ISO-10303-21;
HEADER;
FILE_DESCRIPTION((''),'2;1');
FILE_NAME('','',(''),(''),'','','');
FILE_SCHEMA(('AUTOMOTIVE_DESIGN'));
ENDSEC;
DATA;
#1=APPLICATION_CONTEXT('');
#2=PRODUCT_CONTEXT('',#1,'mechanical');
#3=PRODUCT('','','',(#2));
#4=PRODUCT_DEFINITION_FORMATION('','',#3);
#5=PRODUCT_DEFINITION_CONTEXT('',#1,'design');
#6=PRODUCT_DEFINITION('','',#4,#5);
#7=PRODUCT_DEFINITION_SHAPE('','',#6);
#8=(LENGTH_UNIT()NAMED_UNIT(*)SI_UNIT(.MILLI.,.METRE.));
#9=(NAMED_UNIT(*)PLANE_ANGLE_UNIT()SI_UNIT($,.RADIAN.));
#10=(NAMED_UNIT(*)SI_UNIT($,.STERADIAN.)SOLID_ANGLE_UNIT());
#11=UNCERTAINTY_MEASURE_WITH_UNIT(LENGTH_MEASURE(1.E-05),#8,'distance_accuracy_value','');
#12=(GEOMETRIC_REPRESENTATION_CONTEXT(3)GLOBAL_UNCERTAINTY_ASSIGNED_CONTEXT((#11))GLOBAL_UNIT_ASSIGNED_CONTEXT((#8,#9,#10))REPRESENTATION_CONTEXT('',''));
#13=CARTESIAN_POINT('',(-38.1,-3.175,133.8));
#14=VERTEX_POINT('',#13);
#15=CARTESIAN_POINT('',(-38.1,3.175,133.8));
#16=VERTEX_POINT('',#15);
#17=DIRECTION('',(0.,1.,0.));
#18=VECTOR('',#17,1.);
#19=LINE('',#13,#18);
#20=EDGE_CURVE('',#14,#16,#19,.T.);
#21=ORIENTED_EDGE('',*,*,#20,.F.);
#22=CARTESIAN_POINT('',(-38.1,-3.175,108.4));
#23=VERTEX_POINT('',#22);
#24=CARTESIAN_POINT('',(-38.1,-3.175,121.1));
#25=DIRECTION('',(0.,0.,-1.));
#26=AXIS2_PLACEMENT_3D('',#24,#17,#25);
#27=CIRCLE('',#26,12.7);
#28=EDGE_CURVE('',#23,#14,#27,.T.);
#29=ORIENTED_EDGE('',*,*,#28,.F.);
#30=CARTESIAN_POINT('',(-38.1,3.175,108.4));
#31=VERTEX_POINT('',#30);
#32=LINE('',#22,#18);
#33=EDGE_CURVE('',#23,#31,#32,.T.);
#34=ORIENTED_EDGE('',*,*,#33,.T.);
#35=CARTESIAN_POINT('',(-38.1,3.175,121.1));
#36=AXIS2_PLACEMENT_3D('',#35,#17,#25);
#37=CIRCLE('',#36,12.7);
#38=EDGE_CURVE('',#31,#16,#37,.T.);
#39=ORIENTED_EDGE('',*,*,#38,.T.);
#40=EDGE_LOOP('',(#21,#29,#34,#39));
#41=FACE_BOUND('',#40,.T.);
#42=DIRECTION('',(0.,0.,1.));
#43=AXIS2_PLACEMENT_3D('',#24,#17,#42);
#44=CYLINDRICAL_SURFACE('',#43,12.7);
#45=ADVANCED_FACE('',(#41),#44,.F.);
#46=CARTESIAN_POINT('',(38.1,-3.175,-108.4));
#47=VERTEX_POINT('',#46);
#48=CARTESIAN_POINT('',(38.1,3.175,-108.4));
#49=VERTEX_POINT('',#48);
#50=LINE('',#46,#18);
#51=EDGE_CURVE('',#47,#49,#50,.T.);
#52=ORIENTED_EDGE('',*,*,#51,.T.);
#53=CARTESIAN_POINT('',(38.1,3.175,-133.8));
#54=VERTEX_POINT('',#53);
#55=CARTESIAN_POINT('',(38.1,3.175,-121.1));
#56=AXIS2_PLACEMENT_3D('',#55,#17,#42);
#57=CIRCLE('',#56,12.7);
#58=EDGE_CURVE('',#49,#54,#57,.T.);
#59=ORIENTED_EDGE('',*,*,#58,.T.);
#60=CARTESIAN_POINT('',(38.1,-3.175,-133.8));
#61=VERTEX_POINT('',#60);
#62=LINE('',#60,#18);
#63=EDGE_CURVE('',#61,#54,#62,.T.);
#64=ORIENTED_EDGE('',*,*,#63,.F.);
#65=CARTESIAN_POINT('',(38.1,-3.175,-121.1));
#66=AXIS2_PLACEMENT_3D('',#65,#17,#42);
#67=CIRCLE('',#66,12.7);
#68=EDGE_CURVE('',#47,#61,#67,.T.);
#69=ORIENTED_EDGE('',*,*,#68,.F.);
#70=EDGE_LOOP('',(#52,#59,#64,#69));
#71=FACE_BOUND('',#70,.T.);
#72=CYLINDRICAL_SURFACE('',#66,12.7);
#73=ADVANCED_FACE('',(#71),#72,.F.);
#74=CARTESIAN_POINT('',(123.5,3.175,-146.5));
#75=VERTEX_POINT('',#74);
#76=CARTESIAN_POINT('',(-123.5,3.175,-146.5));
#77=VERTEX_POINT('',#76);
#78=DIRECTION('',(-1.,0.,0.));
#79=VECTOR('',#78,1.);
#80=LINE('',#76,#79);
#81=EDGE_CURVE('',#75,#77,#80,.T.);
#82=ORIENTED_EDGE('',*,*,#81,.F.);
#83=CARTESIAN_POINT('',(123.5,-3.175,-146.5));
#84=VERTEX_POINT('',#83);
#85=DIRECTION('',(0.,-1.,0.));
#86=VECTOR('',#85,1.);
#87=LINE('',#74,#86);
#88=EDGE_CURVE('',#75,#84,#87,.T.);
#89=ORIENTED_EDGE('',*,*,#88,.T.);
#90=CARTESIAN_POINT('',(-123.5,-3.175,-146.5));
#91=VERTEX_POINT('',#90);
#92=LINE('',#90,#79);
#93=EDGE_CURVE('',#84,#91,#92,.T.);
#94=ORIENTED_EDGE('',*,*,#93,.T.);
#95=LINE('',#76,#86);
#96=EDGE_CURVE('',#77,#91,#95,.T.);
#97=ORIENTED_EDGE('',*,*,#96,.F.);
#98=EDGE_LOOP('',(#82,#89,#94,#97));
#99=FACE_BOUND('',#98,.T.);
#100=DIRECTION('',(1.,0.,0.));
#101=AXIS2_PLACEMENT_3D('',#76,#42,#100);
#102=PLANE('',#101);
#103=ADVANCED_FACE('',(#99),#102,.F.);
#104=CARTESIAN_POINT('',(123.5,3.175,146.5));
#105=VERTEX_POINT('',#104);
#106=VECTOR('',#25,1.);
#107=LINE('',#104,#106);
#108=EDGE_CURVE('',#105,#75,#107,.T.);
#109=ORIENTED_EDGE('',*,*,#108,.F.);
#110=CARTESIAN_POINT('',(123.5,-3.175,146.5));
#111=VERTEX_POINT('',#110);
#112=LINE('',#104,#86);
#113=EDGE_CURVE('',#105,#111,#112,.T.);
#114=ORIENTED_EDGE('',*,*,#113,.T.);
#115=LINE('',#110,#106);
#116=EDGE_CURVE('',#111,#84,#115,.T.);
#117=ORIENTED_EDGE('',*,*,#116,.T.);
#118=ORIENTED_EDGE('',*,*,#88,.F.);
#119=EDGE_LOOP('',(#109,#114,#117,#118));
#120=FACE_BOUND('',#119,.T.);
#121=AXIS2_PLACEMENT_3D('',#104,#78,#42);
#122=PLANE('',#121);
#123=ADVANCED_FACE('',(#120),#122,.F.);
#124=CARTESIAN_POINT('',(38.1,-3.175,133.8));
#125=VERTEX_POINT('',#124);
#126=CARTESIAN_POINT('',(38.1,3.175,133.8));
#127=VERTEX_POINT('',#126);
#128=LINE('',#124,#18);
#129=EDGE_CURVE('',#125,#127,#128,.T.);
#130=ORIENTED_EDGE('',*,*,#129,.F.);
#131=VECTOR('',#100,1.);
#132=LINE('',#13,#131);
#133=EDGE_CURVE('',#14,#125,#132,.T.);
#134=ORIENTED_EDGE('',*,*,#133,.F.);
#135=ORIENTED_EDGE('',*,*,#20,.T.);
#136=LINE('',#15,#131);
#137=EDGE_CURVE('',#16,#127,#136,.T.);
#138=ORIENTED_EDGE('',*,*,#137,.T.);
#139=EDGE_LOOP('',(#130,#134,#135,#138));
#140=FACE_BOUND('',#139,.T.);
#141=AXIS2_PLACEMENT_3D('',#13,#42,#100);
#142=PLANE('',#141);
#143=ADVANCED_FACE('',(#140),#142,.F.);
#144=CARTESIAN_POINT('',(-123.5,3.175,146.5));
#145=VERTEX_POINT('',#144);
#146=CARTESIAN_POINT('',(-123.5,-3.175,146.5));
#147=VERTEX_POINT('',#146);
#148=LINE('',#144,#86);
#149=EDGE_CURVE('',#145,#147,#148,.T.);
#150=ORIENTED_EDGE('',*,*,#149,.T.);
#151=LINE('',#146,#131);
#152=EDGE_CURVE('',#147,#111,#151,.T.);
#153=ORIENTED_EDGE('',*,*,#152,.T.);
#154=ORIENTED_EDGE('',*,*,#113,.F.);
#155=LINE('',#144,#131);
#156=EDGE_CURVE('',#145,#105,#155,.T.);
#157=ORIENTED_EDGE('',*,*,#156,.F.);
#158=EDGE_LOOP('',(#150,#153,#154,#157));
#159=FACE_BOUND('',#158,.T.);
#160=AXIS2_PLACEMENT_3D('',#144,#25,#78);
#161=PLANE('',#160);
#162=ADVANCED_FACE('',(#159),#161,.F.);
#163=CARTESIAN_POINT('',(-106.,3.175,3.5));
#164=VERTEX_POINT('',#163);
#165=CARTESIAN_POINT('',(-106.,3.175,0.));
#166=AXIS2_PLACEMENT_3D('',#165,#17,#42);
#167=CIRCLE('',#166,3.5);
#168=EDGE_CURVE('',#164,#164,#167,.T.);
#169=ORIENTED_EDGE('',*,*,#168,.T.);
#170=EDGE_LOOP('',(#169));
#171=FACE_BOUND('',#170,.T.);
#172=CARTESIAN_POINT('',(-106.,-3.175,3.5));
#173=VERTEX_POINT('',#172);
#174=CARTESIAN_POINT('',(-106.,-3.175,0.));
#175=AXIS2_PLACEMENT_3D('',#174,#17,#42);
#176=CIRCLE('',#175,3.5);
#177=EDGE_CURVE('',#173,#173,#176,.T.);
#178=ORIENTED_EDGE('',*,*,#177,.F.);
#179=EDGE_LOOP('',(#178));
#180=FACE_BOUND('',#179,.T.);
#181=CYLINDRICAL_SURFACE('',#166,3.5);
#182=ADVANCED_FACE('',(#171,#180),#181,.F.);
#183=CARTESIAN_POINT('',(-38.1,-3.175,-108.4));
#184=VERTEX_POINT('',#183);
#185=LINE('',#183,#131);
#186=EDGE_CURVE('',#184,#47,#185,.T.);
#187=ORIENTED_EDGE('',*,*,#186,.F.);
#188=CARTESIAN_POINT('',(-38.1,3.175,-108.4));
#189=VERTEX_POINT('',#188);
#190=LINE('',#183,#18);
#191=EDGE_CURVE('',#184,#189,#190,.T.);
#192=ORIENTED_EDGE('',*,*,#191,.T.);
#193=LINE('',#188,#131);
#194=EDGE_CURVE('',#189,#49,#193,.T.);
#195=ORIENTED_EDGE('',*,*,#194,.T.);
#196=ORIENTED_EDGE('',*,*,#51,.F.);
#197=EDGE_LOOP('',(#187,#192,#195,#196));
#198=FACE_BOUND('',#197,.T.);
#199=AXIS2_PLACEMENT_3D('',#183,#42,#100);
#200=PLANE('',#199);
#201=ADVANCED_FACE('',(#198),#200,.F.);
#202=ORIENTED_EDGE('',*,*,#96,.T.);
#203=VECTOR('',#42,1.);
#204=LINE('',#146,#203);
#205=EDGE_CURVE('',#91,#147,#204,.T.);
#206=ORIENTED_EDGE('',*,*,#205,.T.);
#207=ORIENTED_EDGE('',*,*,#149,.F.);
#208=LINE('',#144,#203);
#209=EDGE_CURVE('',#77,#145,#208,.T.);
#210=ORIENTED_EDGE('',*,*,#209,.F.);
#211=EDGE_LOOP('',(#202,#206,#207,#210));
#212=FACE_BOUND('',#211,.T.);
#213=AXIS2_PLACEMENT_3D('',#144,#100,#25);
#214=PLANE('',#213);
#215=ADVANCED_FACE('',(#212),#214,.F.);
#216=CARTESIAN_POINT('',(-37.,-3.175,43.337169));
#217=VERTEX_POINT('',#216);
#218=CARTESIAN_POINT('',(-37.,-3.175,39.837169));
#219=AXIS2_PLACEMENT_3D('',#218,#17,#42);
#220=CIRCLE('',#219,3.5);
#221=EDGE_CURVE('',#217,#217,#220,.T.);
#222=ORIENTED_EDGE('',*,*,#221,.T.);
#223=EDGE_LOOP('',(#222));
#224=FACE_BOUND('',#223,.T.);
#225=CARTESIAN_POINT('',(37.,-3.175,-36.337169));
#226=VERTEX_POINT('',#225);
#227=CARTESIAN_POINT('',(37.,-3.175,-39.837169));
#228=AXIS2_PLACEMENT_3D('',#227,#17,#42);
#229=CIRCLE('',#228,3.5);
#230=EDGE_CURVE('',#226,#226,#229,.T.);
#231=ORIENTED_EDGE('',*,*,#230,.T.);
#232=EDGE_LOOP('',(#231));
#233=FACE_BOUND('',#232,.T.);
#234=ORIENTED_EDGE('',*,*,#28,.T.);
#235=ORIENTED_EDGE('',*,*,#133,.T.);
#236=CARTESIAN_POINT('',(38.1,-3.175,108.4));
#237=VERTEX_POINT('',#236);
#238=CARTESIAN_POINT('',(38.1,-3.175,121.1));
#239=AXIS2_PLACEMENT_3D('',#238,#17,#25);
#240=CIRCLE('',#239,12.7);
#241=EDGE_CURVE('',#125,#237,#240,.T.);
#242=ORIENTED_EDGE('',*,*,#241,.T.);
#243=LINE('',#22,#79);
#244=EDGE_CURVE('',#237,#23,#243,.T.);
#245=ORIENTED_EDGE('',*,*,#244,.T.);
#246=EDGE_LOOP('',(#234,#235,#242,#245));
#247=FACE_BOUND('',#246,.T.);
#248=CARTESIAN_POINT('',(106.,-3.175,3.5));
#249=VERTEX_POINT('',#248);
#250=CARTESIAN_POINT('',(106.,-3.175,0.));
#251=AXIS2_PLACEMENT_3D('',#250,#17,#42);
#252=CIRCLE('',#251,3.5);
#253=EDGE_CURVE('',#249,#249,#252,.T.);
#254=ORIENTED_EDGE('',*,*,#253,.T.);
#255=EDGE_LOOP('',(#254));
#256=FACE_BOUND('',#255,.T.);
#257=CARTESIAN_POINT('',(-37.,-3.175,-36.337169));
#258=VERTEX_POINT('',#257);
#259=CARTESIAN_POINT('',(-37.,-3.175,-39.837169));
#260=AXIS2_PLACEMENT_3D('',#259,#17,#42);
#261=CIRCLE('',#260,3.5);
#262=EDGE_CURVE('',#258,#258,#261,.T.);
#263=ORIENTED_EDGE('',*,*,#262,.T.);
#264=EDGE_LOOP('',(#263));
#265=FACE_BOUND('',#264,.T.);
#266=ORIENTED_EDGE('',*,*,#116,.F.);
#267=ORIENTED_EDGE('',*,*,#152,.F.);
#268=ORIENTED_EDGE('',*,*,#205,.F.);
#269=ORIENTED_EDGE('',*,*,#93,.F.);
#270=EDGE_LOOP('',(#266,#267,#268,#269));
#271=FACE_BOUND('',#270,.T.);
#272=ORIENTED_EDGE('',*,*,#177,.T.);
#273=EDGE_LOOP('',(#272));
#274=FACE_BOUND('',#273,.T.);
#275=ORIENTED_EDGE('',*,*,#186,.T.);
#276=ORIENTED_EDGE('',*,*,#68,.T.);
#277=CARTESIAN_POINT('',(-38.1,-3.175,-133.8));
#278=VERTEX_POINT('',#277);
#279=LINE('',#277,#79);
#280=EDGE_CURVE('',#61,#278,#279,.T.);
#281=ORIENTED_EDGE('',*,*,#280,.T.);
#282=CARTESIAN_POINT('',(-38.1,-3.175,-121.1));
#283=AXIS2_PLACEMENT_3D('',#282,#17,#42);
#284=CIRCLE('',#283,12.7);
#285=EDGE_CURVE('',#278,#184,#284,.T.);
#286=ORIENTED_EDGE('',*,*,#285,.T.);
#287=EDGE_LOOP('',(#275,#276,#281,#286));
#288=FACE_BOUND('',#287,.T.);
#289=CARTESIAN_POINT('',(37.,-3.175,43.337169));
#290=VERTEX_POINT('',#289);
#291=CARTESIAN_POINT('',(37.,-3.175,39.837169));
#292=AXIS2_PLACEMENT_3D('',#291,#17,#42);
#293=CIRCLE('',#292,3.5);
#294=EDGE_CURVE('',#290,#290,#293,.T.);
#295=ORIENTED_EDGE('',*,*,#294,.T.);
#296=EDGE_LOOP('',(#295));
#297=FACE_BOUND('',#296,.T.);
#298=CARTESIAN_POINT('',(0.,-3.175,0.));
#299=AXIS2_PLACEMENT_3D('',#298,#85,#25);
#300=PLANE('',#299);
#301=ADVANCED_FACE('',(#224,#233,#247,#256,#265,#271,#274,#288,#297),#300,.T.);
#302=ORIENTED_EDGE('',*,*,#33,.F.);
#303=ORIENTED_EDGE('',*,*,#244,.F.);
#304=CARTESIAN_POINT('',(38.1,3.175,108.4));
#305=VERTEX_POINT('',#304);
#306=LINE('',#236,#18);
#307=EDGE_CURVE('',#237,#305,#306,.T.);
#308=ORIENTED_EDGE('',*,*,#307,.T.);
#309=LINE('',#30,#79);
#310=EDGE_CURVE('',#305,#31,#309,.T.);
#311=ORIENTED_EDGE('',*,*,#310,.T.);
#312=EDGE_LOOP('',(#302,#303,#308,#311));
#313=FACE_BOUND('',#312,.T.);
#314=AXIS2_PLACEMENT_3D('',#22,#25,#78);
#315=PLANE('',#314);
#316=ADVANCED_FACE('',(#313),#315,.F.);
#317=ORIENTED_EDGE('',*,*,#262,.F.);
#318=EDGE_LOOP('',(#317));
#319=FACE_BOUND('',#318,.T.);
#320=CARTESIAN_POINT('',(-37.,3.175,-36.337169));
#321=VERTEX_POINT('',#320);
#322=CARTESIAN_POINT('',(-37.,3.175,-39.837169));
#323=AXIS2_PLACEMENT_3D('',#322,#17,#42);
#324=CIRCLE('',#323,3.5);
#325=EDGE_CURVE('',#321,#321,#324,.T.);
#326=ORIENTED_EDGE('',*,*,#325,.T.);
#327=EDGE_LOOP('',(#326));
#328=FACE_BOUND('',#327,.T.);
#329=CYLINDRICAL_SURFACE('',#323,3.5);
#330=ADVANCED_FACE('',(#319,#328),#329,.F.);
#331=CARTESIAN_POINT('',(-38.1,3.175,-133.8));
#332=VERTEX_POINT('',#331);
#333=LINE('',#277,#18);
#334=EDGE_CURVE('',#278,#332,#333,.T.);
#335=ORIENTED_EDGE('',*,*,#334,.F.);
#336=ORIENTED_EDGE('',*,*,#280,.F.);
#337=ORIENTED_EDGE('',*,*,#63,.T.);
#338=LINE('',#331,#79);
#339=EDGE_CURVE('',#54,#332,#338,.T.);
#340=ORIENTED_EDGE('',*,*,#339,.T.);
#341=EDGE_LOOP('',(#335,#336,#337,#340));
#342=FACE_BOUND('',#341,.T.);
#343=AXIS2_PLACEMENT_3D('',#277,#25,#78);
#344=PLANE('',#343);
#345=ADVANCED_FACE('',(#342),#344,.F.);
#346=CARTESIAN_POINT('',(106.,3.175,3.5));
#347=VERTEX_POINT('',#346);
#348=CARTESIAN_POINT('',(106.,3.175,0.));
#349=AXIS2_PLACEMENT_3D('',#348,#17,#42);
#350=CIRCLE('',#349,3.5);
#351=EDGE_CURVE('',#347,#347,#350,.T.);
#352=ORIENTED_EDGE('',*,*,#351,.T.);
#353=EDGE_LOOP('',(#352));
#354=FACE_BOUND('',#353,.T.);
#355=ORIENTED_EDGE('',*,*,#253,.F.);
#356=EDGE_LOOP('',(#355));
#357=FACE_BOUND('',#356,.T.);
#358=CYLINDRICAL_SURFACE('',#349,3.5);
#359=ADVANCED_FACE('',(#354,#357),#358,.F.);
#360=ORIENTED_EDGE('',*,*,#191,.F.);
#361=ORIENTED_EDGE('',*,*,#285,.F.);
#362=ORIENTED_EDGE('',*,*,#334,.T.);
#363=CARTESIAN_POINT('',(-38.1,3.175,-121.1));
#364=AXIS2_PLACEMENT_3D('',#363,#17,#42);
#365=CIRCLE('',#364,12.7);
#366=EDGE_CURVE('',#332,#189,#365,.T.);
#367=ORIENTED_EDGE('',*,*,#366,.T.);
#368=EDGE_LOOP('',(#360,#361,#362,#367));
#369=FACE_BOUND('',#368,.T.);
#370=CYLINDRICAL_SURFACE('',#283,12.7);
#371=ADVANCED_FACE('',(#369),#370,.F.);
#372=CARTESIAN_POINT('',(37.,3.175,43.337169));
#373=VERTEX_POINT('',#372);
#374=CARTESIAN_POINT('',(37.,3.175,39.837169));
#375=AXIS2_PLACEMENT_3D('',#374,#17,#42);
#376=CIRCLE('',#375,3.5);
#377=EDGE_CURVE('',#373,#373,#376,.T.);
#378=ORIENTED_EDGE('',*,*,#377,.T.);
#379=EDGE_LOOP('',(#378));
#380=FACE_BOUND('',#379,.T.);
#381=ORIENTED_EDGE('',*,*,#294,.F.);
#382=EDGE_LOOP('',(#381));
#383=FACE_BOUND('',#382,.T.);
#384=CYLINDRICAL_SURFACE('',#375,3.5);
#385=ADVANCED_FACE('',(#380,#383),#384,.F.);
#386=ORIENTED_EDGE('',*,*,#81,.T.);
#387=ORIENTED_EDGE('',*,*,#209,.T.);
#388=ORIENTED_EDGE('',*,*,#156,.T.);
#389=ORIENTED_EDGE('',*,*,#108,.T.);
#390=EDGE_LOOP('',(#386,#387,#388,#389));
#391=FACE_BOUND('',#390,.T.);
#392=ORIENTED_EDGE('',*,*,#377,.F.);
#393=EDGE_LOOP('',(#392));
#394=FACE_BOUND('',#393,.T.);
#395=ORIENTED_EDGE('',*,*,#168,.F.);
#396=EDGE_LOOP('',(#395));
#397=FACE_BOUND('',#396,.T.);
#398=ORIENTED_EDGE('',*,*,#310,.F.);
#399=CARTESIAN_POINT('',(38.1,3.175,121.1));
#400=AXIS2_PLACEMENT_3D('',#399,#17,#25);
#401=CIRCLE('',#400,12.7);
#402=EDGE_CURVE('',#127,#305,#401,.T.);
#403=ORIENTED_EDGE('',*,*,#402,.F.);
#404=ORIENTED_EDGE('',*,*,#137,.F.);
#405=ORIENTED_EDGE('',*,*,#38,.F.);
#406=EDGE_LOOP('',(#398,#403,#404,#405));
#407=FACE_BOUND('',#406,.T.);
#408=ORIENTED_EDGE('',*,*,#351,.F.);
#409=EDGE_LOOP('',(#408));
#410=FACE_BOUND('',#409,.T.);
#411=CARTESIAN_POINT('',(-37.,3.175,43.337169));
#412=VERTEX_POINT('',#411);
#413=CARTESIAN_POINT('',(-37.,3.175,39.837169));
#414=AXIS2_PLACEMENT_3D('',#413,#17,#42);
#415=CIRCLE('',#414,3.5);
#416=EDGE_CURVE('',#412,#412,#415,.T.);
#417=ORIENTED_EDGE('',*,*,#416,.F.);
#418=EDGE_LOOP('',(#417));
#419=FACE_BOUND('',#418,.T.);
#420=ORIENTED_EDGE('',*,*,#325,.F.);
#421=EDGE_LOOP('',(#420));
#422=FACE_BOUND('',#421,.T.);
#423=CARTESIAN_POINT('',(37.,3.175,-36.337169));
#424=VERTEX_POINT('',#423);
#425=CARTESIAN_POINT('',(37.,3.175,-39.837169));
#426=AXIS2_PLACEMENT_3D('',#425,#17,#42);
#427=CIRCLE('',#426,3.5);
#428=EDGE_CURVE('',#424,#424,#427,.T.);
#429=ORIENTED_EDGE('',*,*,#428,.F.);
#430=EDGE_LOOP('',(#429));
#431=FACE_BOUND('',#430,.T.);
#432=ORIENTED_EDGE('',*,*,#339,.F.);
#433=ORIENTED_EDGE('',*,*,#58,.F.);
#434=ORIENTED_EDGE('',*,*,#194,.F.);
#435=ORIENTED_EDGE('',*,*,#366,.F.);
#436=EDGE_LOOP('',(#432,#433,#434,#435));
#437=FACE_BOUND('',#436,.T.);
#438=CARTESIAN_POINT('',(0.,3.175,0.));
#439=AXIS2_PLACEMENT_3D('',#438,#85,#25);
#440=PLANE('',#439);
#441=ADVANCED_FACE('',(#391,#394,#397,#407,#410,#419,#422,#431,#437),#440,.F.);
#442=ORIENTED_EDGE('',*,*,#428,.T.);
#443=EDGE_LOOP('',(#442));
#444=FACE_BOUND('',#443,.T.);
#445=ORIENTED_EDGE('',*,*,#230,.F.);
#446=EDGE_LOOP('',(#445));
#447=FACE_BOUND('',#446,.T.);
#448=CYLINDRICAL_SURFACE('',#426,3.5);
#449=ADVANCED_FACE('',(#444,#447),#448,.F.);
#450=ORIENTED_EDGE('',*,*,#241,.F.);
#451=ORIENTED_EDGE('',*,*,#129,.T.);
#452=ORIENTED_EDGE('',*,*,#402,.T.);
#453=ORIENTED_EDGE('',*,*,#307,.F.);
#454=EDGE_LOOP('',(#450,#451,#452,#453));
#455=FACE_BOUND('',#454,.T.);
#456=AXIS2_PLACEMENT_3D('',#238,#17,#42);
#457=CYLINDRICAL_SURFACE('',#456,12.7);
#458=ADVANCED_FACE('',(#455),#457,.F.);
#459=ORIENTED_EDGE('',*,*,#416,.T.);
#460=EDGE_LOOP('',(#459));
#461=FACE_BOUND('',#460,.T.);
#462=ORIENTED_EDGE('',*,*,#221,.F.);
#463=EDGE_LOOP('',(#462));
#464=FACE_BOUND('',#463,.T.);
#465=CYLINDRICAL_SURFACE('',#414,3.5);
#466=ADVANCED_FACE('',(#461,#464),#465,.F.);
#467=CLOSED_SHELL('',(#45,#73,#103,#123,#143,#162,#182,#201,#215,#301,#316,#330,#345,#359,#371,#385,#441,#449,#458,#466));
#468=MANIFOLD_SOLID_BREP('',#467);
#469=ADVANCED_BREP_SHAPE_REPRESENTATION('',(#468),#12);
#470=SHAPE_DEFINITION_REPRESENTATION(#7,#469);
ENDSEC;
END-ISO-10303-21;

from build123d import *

# Parameters (mm, degrees)
SKETCH1_W         = 247
SKETCH1_H         = 293
MAIN_BASE_DEPTH   = 3.175
HANDLES_DEPTH     = 192.715472772
ALIGNMENT_HOLES_D = 6.99999997


with BuildPart() as part:
    # Sketch1 → Main Base (new, symmetric)
    with BuildSketch(Plane(origin=(0, 0, 0), x_dir=(1, 0, 0), z_dir=(0, 1, 0))):
        Rectangle(SKETCH1_W, SKETCH1_H)
    extrude(amount=MAIN_BASE_DEPTH, both=True)

    # Sketch2 → Handles (cut, through all)
    with BuildSketch(Plane(origin=(0, 3.175, 0), x_dir=(1, 0, 0), z_dir=(0, 1, 0))):
        with BuildLine():
            Line((-38.1, 133.8), (38.1, 133.8))
            ThreePointArc((38.1, 133.8), (50.8, 121.1), (38.1, 108.4))
            Line((38.1, 108.4), (-38.1, 108.4))
            ThreePointArc((-38.1, 108.4), (-50.8, 121.1), (-38.1, 133.8))
        make_face()
        with BuildLine():
            Line((-38.1, -133.8), (38.1, -133.8))
            ThreePointArc((38.1, -133.8), (50.8, -121.1), (38.1, -108.4))
            Line((38.1, -108.4), (-38.1, -108.4))
            ThreePointArc((-38.1, -108.4), (-50.8, -121.1), (-38.1, -133.8))
        make_face()
    extrude(amount=-HANDLES_DEPTH, mode=Mode.SUBTRACT)

    # Alignment Holes (through all)
    with Locations(Plane(origin=(0, 3.175, 0), x_dir=(1, 0, 0), z_dir=(0, 1, 0))):
        with Locations((-106, 0), (-37, -39.837168574), (-37, 39.837168574), (37, 39.837168574), (37, -39.837168574), (106, 0)):
            Hole(ALIGNMENT_HOLES_D / 2)


solid = part.part
